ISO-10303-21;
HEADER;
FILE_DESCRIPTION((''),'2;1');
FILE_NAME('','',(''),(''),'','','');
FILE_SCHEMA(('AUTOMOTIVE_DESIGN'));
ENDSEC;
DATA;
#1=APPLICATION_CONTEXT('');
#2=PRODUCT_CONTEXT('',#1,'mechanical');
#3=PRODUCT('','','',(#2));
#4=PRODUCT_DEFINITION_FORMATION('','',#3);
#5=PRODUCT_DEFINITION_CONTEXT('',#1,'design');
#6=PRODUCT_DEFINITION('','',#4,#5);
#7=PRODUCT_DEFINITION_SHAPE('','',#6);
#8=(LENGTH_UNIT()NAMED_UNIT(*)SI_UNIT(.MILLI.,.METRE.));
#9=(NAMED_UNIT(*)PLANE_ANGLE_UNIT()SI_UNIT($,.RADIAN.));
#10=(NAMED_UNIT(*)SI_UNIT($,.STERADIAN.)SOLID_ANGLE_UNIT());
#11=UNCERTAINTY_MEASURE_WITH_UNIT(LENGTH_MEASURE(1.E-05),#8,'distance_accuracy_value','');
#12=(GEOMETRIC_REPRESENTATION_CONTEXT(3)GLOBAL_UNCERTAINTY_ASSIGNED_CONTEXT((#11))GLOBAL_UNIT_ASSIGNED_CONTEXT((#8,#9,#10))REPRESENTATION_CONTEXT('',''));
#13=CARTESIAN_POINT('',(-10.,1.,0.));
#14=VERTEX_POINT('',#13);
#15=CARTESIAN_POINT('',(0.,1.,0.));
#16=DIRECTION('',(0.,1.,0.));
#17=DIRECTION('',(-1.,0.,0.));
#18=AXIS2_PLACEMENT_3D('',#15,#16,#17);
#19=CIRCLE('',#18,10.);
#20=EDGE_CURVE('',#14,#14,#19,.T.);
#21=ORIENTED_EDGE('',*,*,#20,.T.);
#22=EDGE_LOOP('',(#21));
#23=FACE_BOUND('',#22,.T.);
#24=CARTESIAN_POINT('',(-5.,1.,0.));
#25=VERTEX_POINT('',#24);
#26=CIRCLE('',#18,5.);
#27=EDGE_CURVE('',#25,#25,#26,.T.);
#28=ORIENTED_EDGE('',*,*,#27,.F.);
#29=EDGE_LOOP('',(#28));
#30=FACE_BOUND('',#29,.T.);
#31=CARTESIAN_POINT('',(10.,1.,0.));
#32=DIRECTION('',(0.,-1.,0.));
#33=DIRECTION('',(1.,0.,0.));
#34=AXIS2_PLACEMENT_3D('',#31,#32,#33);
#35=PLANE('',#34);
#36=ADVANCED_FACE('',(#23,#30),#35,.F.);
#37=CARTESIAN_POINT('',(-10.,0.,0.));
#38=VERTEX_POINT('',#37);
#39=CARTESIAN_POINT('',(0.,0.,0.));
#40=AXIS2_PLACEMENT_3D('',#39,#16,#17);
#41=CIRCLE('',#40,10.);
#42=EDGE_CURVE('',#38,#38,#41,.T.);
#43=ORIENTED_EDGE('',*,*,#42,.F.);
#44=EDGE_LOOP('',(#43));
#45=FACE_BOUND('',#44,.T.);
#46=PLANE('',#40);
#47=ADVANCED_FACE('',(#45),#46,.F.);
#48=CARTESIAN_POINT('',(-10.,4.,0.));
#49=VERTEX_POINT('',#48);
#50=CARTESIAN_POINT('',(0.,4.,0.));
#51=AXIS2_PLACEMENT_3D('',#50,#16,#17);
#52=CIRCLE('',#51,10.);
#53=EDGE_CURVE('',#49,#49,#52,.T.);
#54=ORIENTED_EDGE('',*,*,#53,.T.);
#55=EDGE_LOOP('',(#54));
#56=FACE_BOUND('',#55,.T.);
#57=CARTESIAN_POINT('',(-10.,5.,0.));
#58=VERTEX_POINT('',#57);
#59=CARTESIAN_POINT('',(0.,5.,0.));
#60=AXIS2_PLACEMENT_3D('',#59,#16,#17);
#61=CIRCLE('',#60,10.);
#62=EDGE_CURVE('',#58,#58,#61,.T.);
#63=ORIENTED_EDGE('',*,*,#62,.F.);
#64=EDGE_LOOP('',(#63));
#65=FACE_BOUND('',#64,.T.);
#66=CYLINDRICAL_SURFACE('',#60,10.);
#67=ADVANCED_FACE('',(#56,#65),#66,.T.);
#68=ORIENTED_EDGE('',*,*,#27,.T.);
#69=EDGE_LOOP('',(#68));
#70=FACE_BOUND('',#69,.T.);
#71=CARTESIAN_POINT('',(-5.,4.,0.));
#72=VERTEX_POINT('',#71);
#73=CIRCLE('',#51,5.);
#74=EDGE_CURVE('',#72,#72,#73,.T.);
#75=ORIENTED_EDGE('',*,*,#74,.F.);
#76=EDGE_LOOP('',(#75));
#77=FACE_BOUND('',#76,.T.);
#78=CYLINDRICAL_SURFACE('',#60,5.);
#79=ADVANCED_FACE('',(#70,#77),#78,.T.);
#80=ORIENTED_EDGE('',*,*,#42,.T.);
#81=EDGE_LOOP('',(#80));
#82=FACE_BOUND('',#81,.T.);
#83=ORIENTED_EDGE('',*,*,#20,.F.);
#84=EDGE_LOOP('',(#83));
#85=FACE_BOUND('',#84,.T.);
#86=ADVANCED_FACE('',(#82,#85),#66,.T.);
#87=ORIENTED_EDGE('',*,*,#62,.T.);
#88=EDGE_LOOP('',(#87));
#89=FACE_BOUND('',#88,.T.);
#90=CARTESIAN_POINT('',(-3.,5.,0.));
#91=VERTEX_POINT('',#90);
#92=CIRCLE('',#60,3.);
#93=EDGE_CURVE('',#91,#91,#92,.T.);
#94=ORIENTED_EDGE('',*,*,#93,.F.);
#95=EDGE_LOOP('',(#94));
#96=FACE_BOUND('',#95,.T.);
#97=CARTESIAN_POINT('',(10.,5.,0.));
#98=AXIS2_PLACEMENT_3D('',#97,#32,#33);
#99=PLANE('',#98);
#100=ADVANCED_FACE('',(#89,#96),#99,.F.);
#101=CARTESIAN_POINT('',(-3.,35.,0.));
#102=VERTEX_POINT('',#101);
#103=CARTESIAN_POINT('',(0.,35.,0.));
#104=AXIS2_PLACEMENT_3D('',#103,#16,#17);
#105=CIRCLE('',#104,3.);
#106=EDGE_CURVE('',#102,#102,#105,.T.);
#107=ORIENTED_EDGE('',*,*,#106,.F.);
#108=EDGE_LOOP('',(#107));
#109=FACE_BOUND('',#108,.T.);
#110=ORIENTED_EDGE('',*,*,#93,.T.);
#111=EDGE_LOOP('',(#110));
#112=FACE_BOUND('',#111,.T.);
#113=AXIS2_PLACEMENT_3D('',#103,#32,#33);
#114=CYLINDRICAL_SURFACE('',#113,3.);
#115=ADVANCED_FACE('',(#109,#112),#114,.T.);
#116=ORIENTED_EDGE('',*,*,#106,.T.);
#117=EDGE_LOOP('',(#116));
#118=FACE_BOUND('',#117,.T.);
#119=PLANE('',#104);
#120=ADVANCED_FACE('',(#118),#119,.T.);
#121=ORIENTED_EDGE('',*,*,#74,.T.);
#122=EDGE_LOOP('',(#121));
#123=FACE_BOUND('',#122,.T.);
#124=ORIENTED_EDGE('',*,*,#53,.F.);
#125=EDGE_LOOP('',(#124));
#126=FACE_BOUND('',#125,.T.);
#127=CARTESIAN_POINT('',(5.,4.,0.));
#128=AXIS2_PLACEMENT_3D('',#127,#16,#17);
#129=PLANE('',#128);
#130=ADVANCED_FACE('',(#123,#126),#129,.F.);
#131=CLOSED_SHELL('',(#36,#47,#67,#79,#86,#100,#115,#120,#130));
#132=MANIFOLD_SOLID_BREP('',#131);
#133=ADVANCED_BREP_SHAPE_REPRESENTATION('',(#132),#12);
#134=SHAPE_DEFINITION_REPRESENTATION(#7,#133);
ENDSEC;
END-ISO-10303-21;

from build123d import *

# Parameters (mm, degrees)
SKETCH2_R           = 3
BOSS_EXTRUDE1_DEPTH = 30


with BuildPart() as part:
    # Sketch1 → Revolve1 (revolve)
    with BuildSketch(Plane.XY):
        Polygon((0, 0), (10, 0), (10, 1), (5, 1), (5, 4), (10, 4), (10, 5), (0, 5), align=None)
    revolve(axis=Axis((0, 5, 0), (0, -1, 0)))

    # Sketch2 → Boss-Extrude1 (add)
    with BuildSketch(Plane(origin=(0, 5, 0), x_dir=(1, 0, 0), z_dir=(0, 1, 0))):
        Circle(SKETCH2_R)
    extrude(amount=BOSS_EXTRUDE1_DEPTH)


solid = part.part
